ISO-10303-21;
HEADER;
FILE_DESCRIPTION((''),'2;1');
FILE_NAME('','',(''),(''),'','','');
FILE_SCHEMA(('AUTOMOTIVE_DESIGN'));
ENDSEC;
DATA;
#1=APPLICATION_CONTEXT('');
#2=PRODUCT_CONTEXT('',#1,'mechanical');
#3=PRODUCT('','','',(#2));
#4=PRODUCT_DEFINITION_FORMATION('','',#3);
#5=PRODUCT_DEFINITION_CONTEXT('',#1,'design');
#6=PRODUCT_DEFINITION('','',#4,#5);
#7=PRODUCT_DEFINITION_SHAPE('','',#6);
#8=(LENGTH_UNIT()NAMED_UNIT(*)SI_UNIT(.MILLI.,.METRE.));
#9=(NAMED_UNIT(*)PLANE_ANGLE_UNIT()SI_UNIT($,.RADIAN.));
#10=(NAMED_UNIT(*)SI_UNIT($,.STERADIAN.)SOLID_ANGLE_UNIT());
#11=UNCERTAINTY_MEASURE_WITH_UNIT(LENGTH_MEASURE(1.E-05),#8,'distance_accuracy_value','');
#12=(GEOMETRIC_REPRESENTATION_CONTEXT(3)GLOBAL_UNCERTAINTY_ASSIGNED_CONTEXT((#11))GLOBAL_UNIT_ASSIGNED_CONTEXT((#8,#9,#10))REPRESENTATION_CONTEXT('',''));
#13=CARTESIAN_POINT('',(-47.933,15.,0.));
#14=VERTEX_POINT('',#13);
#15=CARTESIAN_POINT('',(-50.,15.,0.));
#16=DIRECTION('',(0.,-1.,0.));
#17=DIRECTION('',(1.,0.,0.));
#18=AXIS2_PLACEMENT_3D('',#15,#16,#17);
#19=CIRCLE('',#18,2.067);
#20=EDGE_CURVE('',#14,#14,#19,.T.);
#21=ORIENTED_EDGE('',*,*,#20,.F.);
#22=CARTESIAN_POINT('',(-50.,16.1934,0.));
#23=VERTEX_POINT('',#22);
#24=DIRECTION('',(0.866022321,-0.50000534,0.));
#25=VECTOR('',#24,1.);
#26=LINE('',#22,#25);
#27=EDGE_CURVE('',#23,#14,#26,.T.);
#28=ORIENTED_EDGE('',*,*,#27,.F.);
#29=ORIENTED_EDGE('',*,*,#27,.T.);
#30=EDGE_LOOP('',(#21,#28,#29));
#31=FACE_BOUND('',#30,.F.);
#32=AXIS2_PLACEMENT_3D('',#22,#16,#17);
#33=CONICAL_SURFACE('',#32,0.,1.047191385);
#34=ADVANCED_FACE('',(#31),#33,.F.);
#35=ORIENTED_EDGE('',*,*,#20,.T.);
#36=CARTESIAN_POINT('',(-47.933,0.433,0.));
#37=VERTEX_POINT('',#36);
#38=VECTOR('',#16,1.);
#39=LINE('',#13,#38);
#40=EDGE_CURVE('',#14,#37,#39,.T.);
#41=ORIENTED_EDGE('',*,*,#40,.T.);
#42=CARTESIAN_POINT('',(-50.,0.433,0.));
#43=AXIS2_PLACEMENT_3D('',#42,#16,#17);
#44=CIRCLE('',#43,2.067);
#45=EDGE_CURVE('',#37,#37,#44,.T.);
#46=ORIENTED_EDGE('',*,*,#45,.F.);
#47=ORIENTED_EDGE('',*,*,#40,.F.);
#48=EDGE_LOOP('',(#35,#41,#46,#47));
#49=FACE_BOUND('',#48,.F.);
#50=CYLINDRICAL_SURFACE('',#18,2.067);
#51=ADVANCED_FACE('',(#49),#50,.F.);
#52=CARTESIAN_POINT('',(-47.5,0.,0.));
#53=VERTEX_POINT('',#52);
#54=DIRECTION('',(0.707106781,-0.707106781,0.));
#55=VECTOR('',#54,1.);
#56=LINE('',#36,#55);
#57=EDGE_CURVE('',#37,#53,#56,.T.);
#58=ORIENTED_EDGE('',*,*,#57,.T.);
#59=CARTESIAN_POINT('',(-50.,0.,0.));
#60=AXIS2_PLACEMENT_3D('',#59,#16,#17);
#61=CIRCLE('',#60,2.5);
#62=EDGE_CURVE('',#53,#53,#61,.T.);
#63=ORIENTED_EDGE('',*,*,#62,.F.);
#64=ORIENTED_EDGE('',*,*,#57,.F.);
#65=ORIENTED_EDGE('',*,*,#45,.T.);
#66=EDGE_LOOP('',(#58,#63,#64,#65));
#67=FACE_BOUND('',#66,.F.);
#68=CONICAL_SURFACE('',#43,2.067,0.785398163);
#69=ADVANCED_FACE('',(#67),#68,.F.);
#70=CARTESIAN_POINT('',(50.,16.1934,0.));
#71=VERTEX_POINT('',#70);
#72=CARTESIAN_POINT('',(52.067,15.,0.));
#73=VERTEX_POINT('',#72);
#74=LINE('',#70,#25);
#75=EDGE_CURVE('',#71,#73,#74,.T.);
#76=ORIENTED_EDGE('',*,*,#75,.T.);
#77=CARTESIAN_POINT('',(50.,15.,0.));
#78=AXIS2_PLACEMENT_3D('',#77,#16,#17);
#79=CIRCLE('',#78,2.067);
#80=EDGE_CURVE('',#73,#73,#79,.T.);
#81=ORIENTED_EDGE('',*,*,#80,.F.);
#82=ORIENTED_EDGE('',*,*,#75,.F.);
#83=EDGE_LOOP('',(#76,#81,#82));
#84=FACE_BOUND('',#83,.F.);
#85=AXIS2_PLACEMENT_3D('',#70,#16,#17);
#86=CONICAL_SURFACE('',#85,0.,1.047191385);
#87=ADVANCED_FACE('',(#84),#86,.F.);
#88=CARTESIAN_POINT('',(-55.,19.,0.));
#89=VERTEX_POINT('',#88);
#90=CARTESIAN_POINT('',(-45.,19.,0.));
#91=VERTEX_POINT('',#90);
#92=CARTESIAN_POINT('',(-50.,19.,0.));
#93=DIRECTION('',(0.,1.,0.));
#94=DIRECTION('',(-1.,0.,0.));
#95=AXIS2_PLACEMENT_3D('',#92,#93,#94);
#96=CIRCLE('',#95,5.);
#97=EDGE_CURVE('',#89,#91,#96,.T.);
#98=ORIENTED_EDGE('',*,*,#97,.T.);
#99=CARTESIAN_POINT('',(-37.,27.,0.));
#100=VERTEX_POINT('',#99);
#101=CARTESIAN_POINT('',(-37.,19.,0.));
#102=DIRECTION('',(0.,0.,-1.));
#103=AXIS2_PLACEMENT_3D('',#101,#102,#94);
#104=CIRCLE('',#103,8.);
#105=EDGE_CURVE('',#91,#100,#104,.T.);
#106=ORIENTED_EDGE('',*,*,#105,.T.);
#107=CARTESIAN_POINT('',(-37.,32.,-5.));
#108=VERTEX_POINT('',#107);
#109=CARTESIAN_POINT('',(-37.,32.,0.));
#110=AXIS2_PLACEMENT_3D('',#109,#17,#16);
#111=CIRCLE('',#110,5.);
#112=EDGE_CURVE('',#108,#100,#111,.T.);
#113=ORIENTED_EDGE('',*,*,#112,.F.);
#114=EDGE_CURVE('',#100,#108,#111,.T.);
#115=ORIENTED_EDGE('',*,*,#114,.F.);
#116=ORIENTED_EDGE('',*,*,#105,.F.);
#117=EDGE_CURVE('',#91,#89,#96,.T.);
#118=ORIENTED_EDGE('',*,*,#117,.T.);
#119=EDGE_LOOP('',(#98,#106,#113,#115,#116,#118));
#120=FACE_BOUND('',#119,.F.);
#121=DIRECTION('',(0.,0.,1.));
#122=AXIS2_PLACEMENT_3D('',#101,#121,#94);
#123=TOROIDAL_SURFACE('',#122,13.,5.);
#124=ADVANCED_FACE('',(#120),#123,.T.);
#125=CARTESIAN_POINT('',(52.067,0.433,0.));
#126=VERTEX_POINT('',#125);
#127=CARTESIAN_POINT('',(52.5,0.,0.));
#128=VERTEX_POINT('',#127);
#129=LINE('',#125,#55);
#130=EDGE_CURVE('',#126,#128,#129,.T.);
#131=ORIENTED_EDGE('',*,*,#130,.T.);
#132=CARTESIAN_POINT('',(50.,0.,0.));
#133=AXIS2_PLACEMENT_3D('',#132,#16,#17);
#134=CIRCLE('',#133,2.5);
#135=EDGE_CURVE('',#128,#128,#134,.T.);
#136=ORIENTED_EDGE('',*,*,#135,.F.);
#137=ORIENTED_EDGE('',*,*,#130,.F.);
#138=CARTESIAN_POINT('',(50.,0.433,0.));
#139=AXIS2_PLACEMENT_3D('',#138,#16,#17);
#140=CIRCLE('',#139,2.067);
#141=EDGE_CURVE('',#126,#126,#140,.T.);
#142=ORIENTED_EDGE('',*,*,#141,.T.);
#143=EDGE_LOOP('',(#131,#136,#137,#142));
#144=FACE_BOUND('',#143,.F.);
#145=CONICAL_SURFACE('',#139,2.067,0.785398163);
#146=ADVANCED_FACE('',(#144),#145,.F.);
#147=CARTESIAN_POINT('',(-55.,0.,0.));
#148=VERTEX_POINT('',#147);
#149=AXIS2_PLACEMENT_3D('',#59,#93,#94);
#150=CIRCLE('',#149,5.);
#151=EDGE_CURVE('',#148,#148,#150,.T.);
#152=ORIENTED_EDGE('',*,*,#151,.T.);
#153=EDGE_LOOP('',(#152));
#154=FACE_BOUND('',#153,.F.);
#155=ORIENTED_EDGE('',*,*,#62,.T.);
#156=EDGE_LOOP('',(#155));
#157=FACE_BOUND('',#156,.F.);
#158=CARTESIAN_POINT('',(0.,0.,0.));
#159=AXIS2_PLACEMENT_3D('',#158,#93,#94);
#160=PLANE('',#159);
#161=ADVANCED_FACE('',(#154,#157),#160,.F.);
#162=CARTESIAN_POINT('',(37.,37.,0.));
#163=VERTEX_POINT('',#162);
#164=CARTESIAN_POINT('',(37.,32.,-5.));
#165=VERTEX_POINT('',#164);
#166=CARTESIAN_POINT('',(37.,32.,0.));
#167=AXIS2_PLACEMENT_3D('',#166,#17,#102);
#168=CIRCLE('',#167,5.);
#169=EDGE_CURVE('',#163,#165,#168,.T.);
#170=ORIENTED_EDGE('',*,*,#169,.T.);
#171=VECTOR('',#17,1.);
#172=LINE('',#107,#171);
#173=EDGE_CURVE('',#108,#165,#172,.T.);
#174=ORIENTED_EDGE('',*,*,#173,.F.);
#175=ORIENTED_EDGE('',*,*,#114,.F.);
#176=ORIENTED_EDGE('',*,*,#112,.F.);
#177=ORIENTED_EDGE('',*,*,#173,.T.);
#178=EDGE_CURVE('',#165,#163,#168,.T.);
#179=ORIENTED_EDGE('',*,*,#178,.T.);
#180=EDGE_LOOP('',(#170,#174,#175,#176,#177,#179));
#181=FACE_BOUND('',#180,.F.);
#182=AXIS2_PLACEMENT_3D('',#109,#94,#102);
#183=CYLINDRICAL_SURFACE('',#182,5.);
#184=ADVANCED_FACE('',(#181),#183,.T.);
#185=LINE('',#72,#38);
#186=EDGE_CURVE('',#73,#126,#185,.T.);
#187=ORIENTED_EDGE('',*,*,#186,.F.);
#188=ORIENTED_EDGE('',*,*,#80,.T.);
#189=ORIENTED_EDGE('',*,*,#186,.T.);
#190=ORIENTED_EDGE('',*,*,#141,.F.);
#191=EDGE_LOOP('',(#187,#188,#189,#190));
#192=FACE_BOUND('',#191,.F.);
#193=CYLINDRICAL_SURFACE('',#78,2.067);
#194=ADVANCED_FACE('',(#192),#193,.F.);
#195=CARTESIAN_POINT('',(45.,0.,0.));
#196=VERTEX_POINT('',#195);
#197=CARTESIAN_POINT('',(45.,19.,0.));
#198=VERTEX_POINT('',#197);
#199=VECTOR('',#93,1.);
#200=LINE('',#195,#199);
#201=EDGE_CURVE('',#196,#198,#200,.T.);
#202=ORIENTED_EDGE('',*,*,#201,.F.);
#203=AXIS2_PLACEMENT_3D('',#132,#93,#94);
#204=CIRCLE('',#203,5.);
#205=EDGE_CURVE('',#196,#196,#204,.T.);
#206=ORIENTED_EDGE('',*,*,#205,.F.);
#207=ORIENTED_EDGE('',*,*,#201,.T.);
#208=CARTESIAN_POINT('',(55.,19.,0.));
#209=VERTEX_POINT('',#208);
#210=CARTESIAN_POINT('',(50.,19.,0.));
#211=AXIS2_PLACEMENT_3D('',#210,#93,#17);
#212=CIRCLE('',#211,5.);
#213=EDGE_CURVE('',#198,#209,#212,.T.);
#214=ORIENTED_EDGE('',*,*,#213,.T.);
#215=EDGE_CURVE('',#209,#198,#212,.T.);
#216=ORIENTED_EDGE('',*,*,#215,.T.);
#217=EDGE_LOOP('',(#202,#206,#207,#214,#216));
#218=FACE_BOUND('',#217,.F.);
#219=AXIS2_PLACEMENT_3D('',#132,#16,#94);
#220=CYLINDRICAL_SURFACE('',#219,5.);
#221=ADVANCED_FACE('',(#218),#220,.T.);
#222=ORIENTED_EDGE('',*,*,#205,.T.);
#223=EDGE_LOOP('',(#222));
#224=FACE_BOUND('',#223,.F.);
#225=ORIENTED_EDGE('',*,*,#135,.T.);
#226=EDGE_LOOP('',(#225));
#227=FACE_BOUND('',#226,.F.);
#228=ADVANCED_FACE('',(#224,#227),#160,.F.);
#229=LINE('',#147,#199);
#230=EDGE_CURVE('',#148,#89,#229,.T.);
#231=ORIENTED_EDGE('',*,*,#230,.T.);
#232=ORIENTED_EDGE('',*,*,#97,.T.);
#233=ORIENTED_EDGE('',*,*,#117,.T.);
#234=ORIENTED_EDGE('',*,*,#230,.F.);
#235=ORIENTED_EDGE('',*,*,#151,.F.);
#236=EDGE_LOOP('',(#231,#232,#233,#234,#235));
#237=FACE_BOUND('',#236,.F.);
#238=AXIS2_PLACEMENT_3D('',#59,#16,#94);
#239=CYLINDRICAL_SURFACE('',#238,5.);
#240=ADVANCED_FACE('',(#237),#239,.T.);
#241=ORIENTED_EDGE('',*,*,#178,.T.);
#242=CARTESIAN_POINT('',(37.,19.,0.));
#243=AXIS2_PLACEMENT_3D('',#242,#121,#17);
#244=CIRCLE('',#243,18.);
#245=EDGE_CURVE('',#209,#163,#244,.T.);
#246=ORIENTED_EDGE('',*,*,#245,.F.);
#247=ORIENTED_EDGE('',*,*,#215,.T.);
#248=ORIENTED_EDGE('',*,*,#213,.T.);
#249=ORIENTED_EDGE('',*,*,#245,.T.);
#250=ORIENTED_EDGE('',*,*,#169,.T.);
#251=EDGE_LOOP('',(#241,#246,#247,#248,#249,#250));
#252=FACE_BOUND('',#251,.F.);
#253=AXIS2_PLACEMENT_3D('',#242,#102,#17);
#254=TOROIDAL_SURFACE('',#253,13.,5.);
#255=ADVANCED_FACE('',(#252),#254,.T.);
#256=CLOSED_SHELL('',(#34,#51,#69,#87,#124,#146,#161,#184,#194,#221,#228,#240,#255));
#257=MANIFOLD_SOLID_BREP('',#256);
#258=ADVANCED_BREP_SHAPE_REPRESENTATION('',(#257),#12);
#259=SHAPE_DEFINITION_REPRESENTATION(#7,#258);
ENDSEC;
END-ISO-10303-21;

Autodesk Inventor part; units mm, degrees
sketch "Sketch_1" plane through (0, 0, 0) normal (0, 1, 0) x (-1, 0, 0)
  circle A0 centre (50, 0) radius 5
extrude "Extrusion1" add sketch "Sketch_1" along normal blind 19
sketch "Sketch_2" plane through (0, 19, 0) normal (0, 1, 0) x (1, 0, 0)
  line L0 (-37, 5) -> (-37, -5)
  circle A0 centre (-50, 0) radius 5
revolve "Revolution1" add sketch "Sketch_2" angle 90 about axis through (-37, 19, -5) along (0, 0, -1)
sketch "Sketch_3" plane through (-37, 0, 0) normal (1, 0, 0) x (0, 0, -1)
  circle A0 centre (0, 32) radius 5
extrude "Extrusion2" add sketch "Sketch_3" along normal blind 74
sketch "Sketch_4" plane through (0, 19, 0) normal (0, 1, 0) x (1, 0, 0)
  line L0 (37, -5) -> (37, 5)
  circle A0 centre (50, 0) radius 5
revolve "Revolution2" add sketch "Sketch_4" angle 90 about axis through (37, 19, 5) along (0, 0, 1)
sketch "Sketch_5" plane through (0, 0, 0) normal (0, 1, 0) x (-1, 0, 0)
  circle A0 centre (-50, 0) radius 5
extrude "Extrusion3" add sketch "Sketch_5" along normal blind 19
sketch "Sketch_6" plane through (0, 0, 0) normal (0, 0, 1) x (1, 0, 0)
  line L0 (-50, 0) -> (-50, 16.1934)
  line L1 (-50, 16.1934) -> (-47.933, 15)
  line L2 (-47.933, 15) -> (-47.933, 0.433)
  line L3 (-47.933, 0.433) -> (-47.5, 0)
  line L4 (-47.5, 0) -> (-50, 0)
  line L5 (-50, 0) -> (-50, 16.1934)
revolve "Revolution3" cut sketch "Sketch_6" angle 360 about axis through (-50, 0, 0) along (0, -1, 0)
thread "Thread1" size "M5x0.8" class "6H" standard "ISO Metric profile" length 13 offset 2
sketch "Sketch_7" plane through (0, 0, 0) normal (0, 0, 1) x (1, 0, 0)
  line L0 (50, 0) -> (50, 16.1934)
  line L1 (50, 16.1934) -> (52.067, 15)
  line L2 (52.067, 15) -> (52.067, 0.433)
  line L3 (52.067, 0.433) -> (52.5, 0)
  line L4 (52.5, 0) -> (50, 0)
  line L5 (50, 0) -> (50, 16.1934)
revolve "Revolution4" cut sketch "Sketch_7" angle 360 about axis through (50, 0, 0) along (0, -1, 0)
thread "Thread2" size "M5x0.8" class "6H" standard "ISO Metric profile" length 13 offset 2
ref_plane "bolt1_XY" through (-50, 0, 0) normal (0, 1, 0) x (1, 0, 0)
ref_plane "bolt1_YZ" through (-50, 0, 0) normal (1, 0, 0) x (0, 0, -1)
ref_plane "bolt1_ZX" through (-50, 0, 0) normal (0, 0, -1) x (0, 1, 0)
ref_plane "bolt2_XY" through (50, 0, 0) normal (0, 1, 0) x (1, 0, 0)
ref_plane "bolt2_YZ" through (50, 0, 0) normal (1, 0, 0) x (0, 0, -1)
ref_plane "bolt2_ZX" through (50, 0, 0) normal (0, 0, -1) x (0, 1, 0)
properties part number "UWANGF_pull100-5"
